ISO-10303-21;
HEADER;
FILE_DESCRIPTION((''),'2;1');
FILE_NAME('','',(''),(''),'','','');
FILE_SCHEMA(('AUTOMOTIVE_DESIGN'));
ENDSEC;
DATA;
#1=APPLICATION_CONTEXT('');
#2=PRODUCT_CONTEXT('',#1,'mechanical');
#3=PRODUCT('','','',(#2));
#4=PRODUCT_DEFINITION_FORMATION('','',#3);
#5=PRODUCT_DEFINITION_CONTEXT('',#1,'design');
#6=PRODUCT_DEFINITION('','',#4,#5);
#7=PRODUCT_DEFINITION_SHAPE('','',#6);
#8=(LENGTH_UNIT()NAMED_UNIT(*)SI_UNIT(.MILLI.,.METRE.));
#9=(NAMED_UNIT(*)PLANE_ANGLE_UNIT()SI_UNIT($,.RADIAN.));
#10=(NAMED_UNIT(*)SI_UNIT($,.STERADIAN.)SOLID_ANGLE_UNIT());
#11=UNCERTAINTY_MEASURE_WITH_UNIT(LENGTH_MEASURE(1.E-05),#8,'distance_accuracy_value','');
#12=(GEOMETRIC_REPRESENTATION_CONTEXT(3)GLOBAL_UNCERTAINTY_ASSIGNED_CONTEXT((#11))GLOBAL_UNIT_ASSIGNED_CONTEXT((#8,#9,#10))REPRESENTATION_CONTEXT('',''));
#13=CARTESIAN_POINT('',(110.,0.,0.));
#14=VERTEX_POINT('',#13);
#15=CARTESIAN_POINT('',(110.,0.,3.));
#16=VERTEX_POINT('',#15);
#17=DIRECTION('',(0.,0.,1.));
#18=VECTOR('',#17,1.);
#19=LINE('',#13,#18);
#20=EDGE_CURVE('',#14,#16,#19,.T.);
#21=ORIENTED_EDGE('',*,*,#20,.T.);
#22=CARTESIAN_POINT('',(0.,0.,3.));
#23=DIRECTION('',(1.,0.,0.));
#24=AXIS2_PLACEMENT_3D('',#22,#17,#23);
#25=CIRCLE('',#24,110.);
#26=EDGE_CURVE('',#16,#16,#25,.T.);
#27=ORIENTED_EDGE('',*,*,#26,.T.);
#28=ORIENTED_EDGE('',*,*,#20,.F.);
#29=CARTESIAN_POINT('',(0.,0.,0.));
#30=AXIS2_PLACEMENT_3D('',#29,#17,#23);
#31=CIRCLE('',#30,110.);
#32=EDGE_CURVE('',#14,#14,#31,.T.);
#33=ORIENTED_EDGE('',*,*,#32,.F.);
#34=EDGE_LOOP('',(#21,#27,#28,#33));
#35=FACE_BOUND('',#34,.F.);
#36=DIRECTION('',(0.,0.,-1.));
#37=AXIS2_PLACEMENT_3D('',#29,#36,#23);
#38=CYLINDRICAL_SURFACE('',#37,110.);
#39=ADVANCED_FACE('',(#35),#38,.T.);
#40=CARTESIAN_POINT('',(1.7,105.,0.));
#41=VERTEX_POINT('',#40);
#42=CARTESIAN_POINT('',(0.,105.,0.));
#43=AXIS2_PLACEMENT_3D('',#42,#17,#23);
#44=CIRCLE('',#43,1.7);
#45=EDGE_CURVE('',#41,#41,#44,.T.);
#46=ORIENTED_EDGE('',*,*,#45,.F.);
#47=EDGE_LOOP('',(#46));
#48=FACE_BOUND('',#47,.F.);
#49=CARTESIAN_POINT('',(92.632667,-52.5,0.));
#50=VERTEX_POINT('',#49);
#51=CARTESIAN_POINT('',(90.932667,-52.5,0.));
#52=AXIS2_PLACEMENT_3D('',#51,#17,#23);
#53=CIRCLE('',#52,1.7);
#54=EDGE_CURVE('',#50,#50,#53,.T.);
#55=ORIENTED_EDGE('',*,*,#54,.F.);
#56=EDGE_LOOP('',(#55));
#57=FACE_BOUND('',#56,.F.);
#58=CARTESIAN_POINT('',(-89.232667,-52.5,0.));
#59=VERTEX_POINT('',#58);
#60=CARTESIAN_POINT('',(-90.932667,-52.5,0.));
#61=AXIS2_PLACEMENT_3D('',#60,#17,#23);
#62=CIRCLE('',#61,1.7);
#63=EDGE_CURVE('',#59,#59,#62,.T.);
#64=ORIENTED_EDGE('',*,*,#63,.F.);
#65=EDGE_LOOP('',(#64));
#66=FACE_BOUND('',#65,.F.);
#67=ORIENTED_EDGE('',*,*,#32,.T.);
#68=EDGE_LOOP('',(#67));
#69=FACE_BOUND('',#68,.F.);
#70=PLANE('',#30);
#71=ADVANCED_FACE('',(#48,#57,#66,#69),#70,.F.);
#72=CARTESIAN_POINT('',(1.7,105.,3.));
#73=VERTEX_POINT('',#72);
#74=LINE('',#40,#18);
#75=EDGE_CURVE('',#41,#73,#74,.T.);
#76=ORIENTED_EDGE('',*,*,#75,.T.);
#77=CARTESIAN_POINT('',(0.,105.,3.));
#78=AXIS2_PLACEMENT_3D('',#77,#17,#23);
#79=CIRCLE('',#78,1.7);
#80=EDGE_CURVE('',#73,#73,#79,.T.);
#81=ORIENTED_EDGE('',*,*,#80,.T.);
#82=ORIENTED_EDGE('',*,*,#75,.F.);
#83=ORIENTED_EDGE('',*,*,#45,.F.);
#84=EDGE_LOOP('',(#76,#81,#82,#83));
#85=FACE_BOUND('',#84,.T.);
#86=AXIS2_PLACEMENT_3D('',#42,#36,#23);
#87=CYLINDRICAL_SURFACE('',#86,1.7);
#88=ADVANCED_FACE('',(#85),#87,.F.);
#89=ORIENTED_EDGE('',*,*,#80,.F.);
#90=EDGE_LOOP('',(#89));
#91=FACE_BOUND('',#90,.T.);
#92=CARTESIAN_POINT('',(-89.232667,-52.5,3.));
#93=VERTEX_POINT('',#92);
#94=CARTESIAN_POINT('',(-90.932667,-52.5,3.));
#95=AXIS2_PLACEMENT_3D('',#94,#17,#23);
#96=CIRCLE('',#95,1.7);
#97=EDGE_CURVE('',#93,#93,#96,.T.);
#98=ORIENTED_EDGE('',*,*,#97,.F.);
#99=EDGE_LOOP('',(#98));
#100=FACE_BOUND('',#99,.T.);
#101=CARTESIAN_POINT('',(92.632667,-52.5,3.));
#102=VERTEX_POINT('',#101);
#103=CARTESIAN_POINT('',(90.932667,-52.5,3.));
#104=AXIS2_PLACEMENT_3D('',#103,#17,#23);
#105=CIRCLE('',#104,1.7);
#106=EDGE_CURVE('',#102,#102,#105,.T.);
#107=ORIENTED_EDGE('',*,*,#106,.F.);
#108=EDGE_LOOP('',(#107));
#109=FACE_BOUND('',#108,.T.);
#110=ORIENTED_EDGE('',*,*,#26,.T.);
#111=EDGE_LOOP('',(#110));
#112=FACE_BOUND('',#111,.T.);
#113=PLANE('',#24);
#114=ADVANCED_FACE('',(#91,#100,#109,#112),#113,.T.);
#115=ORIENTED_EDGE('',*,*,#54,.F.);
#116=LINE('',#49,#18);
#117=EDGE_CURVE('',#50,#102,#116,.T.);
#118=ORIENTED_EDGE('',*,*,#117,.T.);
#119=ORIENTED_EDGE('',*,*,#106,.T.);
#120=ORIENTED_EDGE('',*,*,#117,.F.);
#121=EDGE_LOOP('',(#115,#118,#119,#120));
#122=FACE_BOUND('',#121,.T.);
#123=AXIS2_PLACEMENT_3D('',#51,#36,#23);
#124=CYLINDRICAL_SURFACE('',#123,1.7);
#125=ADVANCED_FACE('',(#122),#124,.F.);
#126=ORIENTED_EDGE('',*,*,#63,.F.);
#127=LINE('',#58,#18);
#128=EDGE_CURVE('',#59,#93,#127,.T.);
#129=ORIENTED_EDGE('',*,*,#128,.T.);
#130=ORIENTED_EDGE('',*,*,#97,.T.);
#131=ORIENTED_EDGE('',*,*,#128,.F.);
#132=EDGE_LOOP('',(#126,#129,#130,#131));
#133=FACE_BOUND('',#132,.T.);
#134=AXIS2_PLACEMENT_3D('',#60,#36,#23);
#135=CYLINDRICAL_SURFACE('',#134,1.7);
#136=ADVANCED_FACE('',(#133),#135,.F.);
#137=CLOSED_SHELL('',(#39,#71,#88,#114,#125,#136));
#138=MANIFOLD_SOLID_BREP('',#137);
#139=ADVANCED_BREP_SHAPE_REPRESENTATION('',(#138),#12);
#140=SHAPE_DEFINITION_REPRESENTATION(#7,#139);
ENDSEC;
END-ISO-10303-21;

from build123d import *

# Parameters (mm, degrees)
F0_R     = 110
F0_R_2   = 1.7
F1_DEPTH = 3


with BuildPart() as f1:
    # F0 (on Top) → F1 (new body)
    with BuildSketch(Plane.XY):
        Circle(F0_R)
        with Locations((-90.932667, -52.5)):
            Circle(F0_R_2, mode=Mode.SUBTRACT)
        with Locations((90.932667, -52.5)):
            Circle(F0_R_2, mode=Mode.SUBTRACT)
        with Locations((0, 105)):
            Circle(F0_R_2, mode=Mode.SUBTRACT)
    extrude(amount=F1_DEPTH)


solid = f1.part
